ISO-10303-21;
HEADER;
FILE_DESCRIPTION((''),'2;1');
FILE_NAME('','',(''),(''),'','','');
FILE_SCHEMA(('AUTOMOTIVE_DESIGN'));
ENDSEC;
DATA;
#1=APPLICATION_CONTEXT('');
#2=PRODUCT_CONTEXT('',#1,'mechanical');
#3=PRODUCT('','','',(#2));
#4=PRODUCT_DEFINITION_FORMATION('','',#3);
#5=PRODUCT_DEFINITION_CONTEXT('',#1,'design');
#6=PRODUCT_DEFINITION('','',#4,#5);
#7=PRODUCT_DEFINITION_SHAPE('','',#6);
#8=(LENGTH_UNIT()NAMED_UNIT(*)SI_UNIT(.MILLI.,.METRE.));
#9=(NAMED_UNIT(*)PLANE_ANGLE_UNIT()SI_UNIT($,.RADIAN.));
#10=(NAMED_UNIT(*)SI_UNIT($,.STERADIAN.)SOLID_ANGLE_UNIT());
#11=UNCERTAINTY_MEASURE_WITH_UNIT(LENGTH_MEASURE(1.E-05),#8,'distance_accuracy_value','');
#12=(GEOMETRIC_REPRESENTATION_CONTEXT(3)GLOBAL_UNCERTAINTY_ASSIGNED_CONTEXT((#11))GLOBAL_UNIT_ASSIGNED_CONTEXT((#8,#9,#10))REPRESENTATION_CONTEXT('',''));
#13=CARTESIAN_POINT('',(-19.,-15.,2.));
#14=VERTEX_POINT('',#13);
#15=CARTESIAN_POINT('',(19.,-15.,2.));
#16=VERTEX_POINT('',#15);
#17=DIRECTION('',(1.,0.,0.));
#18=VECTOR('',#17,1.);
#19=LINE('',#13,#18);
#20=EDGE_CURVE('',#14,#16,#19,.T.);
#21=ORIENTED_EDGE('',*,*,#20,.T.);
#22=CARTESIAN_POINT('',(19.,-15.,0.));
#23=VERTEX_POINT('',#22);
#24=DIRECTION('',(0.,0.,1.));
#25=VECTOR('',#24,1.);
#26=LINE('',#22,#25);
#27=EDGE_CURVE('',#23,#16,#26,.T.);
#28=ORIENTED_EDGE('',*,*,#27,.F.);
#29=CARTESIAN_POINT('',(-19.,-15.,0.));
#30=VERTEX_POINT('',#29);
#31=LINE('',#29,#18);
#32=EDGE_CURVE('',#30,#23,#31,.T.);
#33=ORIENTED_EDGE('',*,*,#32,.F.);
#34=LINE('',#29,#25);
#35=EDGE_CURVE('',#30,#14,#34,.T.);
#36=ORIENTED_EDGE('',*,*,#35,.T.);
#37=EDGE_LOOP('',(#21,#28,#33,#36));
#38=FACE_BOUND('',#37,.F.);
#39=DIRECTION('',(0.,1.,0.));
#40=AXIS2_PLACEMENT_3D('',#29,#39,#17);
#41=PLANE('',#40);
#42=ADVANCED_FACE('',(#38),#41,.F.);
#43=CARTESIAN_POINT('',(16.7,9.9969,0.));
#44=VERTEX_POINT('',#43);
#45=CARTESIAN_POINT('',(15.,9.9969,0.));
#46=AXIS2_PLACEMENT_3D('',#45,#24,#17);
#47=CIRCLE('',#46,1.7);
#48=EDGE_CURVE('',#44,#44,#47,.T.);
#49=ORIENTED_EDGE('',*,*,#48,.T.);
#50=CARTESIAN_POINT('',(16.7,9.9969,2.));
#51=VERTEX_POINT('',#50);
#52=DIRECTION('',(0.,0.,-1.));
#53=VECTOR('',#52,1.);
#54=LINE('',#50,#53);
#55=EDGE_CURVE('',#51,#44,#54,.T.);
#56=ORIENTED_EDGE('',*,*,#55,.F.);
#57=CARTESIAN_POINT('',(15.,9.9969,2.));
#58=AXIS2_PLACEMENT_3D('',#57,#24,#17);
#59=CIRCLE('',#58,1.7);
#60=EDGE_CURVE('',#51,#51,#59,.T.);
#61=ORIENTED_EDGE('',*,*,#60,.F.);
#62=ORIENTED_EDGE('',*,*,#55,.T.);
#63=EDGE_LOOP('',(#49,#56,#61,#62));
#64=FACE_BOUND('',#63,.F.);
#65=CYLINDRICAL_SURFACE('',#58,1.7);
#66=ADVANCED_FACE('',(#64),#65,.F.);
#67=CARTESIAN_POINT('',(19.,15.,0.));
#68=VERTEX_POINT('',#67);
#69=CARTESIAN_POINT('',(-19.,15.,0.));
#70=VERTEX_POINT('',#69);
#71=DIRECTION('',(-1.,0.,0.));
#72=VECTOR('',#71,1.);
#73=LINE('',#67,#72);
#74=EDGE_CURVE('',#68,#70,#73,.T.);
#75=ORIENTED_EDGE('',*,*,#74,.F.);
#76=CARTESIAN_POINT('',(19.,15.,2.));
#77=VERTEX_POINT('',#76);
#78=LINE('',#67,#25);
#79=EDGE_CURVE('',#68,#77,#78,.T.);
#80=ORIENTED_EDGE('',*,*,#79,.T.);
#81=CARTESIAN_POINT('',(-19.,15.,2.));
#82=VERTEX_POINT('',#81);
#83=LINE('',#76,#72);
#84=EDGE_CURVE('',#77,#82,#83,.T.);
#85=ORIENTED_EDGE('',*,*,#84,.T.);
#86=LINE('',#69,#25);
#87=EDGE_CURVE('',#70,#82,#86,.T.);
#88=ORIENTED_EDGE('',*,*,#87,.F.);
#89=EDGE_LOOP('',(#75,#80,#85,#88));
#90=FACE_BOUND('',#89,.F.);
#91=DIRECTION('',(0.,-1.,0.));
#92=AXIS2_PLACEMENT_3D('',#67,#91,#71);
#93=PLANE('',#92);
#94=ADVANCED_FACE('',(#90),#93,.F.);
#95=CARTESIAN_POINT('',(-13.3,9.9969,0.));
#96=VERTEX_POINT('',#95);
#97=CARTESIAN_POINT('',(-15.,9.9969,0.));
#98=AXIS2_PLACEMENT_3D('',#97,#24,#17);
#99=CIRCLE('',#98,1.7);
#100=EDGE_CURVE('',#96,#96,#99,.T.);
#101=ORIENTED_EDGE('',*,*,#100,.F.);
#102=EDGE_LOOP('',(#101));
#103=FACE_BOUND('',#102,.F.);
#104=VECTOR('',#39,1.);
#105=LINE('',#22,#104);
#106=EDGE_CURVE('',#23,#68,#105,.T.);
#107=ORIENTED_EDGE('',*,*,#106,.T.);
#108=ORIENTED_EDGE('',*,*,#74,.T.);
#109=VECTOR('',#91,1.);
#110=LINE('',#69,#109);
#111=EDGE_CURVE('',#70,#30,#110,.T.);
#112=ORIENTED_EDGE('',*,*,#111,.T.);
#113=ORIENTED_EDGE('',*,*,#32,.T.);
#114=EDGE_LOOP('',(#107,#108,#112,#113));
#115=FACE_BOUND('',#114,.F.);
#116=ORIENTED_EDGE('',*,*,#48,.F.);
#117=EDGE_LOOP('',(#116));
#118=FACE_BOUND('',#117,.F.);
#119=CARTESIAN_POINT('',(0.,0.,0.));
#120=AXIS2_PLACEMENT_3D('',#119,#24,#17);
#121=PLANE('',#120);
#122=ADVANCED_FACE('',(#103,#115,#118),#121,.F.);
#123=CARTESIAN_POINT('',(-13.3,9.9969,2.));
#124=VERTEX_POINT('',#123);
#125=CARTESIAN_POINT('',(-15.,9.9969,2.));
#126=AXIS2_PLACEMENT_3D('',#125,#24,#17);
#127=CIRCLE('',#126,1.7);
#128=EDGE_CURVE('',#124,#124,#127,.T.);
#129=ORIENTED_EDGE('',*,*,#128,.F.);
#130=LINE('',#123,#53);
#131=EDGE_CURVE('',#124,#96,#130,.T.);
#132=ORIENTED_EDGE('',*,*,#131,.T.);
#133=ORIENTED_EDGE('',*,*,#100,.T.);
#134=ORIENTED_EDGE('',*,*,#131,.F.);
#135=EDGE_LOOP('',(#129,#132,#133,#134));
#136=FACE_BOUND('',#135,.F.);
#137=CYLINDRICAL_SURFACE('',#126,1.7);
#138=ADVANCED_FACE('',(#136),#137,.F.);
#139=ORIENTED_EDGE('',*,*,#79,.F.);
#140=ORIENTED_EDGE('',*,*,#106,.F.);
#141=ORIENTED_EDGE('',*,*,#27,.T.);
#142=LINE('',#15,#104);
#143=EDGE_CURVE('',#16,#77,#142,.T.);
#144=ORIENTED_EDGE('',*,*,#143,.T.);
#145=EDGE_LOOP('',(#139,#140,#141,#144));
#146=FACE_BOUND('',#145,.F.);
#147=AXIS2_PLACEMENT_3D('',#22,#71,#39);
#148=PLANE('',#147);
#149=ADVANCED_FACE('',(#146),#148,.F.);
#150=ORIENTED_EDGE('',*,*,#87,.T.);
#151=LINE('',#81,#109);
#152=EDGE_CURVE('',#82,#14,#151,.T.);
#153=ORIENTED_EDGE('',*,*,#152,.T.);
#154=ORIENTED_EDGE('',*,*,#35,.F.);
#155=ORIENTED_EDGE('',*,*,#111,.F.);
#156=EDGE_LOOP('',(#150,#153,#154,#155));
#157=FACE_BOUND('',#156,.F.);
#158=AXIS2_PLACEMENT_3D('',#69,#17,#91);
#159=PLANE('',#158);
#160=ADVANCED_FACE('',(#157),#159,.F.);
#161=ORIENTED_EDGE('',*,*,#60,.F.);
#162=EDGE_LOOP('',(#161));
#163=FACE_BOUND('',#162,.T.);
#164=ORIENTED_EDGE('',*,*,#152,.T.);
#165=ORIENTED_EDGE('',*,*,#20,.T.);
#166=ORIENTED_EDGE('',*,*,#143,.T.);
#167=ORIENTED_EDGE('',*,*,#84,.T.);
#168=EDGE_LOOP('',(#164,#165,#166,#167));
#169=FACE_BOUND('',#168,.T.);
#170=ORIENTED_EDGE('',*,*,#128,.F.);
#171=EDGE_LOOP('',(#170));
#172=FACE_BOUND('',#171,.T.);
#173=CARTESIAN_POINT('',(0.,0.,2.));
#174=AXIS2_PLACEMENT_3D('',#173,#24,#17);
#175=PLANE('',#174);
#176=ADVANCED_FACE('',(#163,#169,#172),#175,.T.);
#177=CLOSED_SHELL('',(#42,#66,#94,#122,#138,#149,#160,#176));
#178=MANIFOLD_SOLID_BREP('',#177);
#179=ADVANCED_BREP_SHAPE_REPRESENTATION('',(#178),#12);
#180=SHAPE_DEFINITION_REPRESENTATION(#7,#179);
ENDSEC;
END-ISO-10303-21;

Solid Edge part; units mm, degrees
sketch "Sketch1" plane through (0, 0, 0) normal (0, 0, 1) x (1, 0, 0)
  line L0 (-19, -15) -> (19, -15)
  line L1 (19, -15) -> (19, 15)
  line L2 (19, 15) -> (-19, 15)
  line L3 (-19, 15) -> (-19, -15)
  dimension "D1" = 38
  dimension "D2" = 30
extrude "Protrusion1" add sketch "Sketch1" along normal blind 2
sketch "Sketch2" plane through (0, 0, 2) normal (0, 0, 1) x (1, 0, 0)
  circle A0 centre (15, 9.9969) radius 1.7
  circle A1 centre (-15, 9.9969) radius 1.7
  dimension "D1" = 30
  dimension "D2" = 5.0031
  dimension "D3" = 15
extrude "Cutout1" cut sketch "Sketch2" against normal through all
properties material "Epoxy, cast rigid"
